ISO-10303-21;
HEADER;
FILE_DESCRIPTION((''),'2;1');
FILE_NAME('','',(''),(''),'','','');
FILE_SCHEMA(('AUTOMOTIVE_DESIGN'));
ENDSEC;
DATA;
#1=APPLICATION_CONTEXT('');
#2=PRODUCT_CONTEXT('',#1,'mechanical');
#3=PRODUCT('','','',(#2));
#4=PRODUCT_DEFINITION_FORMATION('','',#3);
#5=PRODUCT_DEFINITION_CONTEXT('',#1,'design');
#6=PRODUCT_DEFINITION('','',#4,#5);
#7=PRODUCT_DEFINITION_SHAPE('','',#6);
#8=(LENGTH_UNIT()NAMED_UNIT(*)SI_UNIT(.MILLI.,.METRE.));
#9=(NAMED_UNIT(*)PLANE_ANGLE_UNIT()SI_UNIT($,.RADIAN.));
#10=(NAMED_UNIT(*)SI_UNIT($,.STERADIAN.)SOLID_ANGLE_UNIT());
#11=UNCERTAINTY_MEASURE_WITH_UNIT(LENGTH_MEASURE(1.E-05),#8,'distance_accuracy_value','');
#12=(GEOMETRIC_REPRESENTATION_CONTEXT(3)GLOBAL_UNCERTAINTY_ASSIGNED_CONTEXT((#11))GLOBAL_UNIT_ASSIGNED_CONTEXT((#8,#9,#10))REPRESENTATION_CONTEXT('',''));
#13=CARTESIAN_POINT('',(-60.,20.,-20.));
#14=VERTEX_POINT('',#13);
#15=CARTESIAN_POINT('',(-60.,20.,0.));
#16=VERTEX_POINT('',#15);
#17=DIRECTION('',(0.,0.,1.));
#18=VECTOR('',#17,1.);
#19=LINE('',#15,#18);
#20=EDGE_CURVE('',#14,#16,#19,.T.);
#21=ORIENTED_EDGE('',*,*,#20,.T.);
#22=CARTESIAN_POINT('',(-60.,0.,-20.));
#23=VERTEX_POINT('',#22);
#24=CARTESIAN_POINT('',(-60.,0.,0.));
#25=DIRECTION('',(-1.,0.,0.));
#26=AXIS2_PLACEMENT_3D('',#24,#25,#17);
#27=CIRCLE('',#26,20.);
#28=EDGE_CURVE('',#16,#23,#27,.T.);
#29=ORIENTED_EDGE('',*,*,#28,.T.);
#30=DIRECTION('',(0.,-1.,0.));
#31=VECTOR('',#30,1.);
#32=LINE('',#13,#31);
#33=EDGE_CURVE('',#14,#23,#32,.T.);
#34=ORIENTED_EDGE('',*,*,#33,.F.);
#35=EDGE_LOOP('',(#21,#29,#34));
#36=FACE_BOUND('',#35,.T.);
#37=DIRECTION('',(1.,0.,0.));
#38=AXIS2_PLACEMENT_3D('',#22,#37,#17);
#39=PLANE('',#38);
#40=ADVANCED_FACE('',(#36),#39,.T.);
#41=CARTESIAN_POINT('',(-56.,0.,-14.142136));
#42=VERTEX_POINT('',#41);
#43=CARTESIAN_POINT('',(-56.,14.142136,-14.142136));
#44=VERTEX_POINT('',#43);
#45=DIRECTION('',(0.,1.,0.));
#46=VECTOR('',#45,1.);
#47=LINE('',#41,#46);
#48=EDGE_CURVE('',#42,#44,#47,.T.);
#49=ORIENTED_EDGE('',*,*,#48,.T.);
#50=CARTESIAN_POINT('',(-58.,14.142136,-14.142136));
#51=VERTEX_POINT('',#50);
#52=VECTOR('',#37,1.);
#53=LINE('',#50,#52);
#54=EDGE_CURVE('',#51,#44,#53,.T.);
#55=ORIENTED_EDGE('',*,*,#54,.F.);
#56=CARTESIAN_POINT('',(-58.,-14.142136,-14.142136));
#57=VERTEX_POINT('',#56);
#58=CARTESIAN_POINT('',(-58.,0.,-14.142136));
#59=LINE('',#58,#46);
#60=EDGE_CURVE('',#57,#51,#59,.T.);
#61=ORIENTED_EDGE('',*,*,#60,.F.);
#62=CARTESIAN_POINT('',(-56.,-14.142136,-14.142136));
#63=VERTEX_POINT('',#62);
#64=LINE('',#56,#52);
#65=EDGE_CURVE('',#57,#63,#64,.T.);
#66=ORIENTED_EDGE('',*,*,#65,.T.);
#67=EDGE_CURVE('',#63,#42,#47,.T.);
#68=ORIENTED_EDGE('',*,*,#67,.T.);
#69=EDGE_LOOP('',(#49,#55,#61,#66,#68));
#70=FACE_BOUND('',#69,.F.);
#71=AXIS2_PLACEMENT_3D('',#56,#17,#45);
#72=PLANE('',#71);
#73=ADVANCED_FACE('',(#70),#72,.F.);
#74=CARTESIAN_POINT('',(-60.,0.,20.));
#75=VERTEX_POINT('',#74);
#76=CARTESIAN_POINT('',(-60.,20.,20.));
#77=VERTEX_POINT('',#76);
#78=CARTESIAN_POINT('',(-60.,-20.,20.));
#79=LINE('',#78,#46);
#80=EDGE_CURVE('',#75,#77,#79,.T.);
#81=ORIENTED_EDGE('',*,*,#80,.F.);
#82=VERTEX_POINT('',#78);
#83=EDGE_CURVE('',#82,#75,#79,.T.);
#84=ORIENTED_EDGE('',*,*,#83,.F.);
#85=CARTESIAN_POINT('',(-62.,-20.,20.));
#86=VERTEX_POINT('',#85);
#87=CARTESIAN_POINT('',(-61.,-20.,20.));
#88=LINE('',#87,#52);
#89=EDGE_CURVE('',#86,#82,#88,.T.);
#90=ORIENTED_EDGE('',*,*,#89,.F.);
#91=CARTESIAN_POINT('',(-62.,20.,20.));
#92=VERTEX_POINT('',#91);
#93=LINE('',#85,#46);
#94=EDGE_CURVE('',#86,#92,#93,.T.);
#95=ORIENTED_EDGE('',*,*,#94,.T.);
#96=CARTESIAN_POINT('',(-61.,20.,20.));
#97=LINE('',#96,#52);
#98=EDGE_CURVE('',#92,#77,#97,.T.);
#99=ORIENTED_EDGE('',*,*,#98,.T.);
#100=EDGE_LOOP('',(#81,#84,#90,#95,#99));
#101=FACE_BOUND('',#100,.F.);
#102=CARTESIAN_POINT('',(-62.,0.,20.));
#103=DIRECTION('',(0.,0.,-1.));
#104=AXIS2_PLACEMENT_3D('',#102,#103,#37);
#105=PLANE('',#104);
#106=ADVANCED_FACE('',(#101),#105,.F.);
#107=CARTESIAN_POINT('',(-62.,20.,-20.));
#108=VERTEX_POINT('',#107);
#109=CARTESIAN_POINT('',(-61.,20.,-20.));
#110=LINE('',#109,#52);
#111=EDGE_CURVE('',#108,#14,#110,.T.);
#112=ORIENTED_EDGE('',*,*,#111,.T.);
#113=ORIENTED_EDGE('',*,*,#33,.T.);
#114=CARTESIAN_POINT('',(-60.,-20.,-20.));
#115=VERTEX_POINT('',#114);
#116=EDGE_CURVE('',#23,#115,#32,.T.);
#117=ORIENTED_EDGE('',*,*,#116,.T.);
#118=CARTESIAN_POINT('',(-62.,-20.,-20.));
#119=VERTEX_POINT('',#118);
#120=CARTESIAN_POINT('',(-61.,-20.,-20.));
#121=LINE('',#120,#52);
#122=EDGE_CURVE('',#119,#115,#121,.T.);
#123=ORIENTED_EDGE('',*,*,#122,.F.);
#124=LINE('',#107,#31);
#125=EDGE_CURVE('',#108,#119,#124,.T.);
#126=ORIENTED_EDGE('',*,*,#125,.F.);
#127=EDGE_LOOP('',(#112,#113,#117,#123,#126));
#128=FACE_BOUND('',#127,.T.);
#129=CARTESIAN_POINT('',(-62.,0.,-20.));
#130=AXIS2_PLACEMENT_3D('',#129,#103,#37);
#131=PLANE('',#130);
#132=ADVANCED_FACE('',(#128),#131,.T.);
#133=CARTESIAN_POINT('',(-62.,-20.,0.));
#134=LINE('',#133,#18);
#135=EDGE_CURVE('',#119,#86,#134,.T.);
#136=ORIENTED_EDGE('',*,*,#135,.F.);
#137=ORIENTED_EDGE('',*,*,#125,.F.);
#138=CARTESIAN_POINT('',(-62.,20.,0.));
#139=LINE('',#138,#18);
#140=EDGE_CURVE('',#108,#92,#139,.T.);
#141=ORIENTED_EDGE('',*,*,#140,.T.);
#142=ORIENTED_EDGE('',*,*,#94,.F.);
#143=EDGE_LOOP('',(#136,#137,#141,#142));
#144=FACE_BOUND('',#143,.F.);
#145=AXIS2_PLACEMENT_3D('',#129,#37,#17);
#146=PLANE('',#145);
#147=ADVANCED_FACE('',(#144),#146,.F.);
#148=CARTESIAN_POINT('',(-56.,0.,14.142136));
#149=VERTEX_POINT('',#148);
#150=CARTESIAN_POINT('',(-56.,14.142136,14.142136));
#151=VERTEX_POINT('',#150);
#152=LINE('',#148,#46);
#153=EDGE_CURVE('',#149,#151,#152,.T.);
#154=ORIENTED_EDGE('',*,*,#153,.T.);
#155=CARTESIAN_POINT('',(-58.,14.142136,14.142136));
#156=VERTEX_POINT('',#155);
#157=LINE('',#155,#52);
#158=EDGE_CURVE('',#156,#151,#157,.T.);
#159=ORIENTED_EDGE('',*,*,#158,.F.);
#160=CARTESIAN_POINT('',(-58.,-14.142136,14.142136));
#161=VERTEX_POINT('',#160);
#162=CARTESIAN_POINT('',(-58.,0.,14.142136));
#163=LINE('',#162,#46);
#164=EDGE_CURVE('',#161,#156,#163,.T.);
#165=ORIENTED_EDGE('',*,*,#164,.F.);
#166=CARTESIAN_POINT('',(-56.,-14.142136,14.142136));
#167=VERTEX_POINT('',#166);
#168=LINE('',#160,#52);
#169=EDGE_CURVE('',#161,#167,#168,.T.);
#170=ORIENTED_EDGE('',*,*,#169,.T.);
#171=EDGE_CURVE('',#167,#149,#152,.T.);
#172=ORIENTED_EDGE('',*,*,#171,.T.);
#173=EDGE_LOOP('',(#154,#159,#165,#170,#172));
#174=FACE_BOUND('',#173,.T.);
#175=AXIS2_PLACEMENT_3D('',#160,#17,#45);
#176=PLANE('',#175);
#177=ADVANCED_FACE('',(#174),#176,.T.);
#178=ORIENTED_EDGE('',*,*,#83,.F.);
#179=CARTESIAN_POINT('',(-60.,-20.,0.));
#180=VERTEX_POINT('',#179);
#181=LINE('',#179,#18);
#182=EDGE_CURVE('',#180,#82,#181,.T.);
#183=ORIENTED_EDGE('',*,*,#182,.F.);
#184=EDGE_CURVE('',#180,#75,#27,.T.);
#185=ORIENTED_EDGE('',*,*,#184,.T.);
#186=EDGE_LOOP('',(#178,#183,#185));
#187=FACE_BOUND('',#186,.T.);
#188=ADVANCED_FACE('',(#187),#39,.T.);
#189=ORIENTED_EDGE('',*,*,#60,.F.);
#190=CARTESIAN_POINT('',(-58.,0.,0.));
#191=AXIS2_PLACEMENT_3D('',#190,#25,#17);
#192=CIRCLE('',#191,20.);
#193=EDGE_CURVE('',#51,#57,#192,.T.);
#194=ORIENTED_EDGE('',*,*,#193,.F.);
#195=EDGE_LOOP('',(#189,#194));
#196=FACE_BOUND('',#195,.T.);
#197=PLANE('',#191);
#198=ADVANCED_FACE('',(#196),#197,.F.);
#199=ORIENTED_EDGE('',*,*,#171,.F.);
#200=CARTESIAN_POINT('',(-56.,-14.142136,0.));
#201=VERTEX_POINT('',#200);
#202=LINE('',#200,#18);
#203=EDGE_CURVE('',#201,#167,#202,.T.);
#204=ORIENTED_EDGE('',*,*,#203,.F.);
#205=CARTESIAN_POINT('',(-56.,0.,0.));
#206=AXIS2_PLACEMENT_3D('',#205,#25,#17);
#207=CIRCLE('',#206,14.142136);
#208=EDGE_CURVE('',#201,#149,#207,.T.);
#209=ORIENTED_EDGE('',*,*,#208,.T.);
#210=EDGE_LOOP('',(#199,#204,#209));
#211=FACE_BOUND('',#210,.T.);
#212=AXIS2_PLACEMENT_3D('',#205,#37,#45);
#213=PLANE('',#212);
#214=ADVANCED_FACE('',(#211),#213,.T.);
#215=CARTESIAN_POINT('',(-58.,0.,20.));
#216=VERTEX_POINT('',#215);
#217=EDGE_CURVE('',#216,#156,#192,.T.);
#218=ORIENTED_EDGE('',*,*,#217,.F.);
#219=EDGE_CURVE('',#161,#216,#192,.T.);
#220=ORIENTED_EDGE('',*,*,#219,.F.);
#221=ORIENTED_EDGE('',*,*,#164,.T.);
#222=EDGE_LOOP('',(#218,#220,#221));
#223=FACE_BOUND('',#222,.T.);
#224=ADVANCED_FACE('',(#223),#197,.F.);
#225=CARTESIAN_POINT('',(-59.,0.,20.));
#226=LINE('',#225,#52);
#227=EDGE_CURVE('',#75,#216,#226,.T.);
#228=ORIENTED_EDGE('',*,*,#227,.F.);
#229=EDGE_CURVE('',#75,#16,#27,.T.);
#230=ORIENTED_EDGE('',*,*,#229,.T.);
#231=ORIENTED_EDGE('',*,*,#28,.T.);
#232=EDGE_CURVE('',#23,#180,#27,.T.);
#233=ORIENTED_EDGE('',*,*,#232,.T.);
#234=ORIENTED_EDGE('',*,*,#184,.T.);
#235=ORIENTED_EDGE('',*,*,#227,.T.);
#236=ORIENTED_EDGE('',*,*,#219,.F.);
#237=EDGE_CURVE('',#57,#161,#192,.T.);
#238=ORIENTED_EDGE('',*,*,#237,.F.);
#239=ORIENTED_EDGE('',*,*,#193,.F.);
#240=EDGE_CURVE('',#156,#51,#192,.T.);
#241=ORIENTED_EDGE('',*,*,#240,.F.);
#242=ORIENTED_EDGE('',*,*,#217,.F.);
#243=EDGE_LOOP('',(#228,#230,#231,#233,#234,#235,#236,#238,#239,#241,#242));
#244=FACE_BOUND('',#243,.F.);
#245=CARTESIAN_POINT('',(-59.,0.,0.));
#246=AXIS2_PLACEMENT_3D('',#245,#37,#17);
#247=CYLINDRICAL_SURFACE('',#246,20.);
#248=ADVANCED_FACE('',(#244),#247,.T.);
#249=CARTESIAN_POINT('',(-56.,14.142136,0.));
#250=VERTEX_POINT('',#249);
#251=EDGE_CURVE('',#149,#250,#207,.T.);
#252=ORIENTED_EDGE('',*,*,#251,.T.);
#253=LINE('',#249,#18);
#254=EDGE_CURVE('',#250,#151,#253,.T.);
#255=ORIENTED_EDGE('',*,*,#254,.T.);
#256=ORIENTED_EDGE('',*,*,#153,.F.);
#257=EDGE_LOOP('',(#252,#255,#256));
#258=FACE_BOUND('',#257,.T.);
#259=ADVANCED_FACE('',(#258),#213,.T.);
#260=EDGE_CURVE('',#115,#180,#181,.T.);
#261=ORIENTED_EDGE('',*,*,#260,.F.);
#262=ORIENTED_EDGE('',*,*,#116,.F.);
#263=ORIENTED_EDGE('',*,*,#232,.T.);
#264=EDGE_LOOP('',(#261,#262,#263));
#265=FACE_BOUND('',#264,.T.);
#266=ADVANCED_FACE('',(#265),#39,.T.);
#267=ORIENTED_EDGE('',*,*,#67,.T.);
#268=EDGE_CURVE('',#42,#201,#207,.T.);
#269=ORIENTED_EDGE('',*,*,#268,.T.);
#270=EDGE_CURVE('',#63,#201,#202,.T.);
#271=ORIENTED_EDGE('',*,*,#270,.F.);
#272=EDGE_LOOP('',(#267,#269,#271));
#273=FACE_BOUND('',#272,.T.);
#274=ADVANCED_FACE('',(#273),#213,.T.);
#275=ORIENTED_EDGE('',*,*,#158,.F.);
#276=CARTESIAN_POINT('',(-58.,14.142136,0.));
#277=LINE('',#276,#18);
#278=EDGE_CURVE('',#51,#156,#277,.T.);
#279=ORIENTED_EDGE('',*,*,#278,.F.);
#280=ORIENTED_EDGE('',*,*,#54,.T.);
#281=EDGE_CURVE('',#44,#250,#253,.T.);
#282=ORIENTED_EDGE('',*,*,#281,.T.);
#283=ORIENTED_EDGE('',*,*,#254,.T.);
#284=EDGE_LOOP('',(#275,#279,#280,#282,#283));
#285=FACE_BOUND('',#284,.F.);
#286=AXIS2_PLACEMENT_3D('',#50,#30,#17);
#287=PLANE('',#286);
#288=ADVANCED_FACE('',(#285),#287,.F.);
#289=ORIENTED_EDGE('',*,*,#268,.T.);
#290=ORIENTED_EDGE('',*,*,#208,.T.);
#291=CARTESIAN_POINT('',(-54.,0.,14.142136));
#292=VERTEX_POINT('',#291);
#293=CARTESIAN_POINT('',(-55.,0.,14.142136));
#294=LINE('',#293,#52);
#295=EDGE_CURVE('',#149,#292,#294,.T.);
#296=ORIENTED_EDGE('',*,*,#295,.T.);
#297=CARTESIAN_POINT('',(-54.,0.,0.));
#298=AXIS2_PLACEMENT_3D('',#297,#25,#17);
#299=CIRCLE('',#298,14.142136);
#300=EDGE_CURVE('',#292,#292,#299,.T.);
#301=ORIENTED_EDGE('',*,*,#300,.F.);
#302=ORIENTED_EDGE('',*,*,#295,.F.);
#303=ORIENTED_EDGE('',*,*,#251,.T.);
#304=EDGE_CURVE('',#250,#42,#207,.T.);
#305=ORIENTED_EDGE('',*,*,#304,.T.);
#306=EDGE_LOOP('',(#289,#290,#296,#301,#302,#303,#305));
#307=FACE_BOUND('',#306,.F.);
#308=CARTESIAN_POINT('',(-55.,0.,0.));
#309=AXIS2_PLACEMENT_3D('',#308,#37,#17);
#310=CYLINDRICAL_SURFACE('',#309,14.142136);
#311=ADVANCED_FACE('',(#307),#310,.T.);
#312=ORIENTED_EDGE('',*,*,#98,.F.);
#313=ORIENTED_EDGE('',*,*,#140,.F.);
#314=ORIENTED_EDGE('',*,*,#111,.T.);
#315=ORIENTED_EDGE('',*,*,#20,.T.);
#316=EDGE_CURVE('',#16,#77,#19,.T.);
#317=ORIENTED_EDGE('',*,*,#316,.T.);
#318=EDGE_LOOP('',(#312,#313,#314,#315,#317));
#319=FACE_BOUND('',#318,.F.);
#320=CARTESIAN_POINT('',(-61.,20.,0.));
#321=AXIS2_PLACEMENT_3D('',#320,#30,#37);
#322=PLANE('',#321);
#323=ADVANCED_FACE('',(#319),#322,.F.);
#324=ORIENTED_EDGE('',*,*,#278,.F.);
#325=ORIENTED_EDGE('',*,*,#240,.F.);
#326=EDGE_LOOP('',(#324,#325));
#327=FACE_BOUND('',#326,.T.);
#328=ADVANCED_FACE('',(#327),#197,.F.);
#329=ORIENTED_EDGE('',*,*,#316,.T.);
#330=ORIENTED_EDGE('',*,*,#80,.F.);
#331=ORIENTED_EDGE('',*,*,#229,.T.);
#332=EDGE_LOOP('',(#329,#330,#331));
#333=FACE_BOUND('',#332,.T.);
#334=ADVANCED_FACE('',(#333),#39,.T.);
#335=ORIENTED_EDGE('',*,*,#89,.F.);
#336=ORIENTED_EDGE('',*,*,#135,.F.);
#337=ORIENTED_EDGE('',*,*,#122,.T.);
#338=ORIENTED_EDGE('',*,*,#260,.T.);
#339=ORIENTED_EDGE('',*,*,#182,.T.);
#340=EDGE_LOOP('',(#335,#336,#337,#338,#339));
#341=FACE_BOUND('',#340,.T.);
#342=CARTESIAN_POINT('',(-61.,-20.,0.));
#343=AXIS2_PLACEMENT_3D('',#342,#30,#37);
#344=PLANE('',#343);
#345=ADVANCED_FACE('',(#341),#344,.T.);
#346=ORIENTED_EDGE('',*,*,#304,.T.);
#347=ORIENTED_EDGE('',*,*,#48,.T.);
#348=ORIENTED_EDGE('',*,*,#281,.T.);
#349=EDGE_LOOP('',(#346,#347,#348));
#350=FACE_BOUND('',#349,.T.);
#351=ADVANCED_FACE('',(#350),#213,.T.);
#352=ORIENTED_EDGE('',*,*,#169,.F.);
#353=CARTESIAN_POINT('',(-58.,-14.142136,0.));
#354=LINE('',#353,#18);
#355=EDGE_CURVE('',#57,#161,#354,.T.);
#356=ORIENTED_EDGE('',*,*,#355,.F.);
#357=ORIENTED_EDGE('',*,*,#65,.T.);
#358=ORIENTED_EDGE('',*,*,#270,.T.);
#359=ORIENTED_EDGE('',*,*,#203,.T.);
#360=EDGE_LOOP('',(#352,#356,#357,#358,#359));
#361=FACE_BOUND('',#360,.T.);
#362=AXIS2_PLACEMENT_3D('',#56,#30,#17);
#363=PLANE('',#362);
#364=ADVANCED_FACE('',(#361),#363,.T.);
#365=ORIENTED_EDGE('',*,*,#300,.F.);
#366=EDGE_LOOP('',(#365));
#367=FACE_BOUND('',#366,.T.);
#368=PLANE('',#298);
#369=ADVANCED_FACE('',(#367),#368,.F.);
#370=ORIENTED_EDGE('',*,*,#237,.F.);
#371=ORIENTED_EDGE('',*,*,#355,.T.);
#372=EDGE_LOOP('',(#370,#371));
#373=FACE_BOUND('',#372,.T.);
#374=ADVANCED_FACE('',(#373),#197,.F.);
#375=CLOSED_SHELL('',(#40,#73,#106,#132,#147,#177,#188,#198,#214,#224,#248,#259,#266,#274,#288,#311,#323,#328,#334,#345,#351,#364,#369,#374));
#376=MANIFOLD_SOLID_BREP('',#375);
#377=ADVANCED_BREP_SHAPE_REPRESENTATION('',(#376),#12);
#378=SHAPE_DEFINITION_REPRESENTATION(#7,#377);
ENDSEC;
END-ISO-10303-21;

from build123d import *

# Parameters (mm, degrees)
F0_W     = 2
F0_H     = 40
F1_DEPTH = 20
F2_W     = 2
F2_H     = 20
F5_W     = 28.284272
F5_H     = 28.284272
F6_DEPTH = 2
F7_W     = 2
F7_H     = 14.142136


with BuildPart() as f1:
    # F0 (on Front) → F1 (new body, symmetric)
    with BuildSketch(Plane.XZ):
        with Locations((-61, 0)):
            Rectangle(F0_W, F0_H)
    extrude(amount=F1_DEPTH, both=True)

    # F2 (on Front) → F3 (revolve)
    with BuildSketch(Plane.XZ):
        with Locations((-59, 10)):
            Rectangle(F2_W, F2_H)
    revolve(axis=Axis((-60, 0, 0), (-1, 0, 0)))

    # F5 (on offset) → F6 (join)
    with BuildSketch(Plane.YZ.offset(-58)):
        Rectangle(F5_W, F5_H)
    extrude(amount=F6_DEPTH)

    # F7 (on Front) → F8 (revolve)
    with BuildSketch(Plane.XZ):
        with Locations((-55, 7.071068)):
            Rectangle(F7_W, F7_H)
    revolve(axis=Axis((-55, 0, 0), (-1, 0, 0)))


solid = f1.part
